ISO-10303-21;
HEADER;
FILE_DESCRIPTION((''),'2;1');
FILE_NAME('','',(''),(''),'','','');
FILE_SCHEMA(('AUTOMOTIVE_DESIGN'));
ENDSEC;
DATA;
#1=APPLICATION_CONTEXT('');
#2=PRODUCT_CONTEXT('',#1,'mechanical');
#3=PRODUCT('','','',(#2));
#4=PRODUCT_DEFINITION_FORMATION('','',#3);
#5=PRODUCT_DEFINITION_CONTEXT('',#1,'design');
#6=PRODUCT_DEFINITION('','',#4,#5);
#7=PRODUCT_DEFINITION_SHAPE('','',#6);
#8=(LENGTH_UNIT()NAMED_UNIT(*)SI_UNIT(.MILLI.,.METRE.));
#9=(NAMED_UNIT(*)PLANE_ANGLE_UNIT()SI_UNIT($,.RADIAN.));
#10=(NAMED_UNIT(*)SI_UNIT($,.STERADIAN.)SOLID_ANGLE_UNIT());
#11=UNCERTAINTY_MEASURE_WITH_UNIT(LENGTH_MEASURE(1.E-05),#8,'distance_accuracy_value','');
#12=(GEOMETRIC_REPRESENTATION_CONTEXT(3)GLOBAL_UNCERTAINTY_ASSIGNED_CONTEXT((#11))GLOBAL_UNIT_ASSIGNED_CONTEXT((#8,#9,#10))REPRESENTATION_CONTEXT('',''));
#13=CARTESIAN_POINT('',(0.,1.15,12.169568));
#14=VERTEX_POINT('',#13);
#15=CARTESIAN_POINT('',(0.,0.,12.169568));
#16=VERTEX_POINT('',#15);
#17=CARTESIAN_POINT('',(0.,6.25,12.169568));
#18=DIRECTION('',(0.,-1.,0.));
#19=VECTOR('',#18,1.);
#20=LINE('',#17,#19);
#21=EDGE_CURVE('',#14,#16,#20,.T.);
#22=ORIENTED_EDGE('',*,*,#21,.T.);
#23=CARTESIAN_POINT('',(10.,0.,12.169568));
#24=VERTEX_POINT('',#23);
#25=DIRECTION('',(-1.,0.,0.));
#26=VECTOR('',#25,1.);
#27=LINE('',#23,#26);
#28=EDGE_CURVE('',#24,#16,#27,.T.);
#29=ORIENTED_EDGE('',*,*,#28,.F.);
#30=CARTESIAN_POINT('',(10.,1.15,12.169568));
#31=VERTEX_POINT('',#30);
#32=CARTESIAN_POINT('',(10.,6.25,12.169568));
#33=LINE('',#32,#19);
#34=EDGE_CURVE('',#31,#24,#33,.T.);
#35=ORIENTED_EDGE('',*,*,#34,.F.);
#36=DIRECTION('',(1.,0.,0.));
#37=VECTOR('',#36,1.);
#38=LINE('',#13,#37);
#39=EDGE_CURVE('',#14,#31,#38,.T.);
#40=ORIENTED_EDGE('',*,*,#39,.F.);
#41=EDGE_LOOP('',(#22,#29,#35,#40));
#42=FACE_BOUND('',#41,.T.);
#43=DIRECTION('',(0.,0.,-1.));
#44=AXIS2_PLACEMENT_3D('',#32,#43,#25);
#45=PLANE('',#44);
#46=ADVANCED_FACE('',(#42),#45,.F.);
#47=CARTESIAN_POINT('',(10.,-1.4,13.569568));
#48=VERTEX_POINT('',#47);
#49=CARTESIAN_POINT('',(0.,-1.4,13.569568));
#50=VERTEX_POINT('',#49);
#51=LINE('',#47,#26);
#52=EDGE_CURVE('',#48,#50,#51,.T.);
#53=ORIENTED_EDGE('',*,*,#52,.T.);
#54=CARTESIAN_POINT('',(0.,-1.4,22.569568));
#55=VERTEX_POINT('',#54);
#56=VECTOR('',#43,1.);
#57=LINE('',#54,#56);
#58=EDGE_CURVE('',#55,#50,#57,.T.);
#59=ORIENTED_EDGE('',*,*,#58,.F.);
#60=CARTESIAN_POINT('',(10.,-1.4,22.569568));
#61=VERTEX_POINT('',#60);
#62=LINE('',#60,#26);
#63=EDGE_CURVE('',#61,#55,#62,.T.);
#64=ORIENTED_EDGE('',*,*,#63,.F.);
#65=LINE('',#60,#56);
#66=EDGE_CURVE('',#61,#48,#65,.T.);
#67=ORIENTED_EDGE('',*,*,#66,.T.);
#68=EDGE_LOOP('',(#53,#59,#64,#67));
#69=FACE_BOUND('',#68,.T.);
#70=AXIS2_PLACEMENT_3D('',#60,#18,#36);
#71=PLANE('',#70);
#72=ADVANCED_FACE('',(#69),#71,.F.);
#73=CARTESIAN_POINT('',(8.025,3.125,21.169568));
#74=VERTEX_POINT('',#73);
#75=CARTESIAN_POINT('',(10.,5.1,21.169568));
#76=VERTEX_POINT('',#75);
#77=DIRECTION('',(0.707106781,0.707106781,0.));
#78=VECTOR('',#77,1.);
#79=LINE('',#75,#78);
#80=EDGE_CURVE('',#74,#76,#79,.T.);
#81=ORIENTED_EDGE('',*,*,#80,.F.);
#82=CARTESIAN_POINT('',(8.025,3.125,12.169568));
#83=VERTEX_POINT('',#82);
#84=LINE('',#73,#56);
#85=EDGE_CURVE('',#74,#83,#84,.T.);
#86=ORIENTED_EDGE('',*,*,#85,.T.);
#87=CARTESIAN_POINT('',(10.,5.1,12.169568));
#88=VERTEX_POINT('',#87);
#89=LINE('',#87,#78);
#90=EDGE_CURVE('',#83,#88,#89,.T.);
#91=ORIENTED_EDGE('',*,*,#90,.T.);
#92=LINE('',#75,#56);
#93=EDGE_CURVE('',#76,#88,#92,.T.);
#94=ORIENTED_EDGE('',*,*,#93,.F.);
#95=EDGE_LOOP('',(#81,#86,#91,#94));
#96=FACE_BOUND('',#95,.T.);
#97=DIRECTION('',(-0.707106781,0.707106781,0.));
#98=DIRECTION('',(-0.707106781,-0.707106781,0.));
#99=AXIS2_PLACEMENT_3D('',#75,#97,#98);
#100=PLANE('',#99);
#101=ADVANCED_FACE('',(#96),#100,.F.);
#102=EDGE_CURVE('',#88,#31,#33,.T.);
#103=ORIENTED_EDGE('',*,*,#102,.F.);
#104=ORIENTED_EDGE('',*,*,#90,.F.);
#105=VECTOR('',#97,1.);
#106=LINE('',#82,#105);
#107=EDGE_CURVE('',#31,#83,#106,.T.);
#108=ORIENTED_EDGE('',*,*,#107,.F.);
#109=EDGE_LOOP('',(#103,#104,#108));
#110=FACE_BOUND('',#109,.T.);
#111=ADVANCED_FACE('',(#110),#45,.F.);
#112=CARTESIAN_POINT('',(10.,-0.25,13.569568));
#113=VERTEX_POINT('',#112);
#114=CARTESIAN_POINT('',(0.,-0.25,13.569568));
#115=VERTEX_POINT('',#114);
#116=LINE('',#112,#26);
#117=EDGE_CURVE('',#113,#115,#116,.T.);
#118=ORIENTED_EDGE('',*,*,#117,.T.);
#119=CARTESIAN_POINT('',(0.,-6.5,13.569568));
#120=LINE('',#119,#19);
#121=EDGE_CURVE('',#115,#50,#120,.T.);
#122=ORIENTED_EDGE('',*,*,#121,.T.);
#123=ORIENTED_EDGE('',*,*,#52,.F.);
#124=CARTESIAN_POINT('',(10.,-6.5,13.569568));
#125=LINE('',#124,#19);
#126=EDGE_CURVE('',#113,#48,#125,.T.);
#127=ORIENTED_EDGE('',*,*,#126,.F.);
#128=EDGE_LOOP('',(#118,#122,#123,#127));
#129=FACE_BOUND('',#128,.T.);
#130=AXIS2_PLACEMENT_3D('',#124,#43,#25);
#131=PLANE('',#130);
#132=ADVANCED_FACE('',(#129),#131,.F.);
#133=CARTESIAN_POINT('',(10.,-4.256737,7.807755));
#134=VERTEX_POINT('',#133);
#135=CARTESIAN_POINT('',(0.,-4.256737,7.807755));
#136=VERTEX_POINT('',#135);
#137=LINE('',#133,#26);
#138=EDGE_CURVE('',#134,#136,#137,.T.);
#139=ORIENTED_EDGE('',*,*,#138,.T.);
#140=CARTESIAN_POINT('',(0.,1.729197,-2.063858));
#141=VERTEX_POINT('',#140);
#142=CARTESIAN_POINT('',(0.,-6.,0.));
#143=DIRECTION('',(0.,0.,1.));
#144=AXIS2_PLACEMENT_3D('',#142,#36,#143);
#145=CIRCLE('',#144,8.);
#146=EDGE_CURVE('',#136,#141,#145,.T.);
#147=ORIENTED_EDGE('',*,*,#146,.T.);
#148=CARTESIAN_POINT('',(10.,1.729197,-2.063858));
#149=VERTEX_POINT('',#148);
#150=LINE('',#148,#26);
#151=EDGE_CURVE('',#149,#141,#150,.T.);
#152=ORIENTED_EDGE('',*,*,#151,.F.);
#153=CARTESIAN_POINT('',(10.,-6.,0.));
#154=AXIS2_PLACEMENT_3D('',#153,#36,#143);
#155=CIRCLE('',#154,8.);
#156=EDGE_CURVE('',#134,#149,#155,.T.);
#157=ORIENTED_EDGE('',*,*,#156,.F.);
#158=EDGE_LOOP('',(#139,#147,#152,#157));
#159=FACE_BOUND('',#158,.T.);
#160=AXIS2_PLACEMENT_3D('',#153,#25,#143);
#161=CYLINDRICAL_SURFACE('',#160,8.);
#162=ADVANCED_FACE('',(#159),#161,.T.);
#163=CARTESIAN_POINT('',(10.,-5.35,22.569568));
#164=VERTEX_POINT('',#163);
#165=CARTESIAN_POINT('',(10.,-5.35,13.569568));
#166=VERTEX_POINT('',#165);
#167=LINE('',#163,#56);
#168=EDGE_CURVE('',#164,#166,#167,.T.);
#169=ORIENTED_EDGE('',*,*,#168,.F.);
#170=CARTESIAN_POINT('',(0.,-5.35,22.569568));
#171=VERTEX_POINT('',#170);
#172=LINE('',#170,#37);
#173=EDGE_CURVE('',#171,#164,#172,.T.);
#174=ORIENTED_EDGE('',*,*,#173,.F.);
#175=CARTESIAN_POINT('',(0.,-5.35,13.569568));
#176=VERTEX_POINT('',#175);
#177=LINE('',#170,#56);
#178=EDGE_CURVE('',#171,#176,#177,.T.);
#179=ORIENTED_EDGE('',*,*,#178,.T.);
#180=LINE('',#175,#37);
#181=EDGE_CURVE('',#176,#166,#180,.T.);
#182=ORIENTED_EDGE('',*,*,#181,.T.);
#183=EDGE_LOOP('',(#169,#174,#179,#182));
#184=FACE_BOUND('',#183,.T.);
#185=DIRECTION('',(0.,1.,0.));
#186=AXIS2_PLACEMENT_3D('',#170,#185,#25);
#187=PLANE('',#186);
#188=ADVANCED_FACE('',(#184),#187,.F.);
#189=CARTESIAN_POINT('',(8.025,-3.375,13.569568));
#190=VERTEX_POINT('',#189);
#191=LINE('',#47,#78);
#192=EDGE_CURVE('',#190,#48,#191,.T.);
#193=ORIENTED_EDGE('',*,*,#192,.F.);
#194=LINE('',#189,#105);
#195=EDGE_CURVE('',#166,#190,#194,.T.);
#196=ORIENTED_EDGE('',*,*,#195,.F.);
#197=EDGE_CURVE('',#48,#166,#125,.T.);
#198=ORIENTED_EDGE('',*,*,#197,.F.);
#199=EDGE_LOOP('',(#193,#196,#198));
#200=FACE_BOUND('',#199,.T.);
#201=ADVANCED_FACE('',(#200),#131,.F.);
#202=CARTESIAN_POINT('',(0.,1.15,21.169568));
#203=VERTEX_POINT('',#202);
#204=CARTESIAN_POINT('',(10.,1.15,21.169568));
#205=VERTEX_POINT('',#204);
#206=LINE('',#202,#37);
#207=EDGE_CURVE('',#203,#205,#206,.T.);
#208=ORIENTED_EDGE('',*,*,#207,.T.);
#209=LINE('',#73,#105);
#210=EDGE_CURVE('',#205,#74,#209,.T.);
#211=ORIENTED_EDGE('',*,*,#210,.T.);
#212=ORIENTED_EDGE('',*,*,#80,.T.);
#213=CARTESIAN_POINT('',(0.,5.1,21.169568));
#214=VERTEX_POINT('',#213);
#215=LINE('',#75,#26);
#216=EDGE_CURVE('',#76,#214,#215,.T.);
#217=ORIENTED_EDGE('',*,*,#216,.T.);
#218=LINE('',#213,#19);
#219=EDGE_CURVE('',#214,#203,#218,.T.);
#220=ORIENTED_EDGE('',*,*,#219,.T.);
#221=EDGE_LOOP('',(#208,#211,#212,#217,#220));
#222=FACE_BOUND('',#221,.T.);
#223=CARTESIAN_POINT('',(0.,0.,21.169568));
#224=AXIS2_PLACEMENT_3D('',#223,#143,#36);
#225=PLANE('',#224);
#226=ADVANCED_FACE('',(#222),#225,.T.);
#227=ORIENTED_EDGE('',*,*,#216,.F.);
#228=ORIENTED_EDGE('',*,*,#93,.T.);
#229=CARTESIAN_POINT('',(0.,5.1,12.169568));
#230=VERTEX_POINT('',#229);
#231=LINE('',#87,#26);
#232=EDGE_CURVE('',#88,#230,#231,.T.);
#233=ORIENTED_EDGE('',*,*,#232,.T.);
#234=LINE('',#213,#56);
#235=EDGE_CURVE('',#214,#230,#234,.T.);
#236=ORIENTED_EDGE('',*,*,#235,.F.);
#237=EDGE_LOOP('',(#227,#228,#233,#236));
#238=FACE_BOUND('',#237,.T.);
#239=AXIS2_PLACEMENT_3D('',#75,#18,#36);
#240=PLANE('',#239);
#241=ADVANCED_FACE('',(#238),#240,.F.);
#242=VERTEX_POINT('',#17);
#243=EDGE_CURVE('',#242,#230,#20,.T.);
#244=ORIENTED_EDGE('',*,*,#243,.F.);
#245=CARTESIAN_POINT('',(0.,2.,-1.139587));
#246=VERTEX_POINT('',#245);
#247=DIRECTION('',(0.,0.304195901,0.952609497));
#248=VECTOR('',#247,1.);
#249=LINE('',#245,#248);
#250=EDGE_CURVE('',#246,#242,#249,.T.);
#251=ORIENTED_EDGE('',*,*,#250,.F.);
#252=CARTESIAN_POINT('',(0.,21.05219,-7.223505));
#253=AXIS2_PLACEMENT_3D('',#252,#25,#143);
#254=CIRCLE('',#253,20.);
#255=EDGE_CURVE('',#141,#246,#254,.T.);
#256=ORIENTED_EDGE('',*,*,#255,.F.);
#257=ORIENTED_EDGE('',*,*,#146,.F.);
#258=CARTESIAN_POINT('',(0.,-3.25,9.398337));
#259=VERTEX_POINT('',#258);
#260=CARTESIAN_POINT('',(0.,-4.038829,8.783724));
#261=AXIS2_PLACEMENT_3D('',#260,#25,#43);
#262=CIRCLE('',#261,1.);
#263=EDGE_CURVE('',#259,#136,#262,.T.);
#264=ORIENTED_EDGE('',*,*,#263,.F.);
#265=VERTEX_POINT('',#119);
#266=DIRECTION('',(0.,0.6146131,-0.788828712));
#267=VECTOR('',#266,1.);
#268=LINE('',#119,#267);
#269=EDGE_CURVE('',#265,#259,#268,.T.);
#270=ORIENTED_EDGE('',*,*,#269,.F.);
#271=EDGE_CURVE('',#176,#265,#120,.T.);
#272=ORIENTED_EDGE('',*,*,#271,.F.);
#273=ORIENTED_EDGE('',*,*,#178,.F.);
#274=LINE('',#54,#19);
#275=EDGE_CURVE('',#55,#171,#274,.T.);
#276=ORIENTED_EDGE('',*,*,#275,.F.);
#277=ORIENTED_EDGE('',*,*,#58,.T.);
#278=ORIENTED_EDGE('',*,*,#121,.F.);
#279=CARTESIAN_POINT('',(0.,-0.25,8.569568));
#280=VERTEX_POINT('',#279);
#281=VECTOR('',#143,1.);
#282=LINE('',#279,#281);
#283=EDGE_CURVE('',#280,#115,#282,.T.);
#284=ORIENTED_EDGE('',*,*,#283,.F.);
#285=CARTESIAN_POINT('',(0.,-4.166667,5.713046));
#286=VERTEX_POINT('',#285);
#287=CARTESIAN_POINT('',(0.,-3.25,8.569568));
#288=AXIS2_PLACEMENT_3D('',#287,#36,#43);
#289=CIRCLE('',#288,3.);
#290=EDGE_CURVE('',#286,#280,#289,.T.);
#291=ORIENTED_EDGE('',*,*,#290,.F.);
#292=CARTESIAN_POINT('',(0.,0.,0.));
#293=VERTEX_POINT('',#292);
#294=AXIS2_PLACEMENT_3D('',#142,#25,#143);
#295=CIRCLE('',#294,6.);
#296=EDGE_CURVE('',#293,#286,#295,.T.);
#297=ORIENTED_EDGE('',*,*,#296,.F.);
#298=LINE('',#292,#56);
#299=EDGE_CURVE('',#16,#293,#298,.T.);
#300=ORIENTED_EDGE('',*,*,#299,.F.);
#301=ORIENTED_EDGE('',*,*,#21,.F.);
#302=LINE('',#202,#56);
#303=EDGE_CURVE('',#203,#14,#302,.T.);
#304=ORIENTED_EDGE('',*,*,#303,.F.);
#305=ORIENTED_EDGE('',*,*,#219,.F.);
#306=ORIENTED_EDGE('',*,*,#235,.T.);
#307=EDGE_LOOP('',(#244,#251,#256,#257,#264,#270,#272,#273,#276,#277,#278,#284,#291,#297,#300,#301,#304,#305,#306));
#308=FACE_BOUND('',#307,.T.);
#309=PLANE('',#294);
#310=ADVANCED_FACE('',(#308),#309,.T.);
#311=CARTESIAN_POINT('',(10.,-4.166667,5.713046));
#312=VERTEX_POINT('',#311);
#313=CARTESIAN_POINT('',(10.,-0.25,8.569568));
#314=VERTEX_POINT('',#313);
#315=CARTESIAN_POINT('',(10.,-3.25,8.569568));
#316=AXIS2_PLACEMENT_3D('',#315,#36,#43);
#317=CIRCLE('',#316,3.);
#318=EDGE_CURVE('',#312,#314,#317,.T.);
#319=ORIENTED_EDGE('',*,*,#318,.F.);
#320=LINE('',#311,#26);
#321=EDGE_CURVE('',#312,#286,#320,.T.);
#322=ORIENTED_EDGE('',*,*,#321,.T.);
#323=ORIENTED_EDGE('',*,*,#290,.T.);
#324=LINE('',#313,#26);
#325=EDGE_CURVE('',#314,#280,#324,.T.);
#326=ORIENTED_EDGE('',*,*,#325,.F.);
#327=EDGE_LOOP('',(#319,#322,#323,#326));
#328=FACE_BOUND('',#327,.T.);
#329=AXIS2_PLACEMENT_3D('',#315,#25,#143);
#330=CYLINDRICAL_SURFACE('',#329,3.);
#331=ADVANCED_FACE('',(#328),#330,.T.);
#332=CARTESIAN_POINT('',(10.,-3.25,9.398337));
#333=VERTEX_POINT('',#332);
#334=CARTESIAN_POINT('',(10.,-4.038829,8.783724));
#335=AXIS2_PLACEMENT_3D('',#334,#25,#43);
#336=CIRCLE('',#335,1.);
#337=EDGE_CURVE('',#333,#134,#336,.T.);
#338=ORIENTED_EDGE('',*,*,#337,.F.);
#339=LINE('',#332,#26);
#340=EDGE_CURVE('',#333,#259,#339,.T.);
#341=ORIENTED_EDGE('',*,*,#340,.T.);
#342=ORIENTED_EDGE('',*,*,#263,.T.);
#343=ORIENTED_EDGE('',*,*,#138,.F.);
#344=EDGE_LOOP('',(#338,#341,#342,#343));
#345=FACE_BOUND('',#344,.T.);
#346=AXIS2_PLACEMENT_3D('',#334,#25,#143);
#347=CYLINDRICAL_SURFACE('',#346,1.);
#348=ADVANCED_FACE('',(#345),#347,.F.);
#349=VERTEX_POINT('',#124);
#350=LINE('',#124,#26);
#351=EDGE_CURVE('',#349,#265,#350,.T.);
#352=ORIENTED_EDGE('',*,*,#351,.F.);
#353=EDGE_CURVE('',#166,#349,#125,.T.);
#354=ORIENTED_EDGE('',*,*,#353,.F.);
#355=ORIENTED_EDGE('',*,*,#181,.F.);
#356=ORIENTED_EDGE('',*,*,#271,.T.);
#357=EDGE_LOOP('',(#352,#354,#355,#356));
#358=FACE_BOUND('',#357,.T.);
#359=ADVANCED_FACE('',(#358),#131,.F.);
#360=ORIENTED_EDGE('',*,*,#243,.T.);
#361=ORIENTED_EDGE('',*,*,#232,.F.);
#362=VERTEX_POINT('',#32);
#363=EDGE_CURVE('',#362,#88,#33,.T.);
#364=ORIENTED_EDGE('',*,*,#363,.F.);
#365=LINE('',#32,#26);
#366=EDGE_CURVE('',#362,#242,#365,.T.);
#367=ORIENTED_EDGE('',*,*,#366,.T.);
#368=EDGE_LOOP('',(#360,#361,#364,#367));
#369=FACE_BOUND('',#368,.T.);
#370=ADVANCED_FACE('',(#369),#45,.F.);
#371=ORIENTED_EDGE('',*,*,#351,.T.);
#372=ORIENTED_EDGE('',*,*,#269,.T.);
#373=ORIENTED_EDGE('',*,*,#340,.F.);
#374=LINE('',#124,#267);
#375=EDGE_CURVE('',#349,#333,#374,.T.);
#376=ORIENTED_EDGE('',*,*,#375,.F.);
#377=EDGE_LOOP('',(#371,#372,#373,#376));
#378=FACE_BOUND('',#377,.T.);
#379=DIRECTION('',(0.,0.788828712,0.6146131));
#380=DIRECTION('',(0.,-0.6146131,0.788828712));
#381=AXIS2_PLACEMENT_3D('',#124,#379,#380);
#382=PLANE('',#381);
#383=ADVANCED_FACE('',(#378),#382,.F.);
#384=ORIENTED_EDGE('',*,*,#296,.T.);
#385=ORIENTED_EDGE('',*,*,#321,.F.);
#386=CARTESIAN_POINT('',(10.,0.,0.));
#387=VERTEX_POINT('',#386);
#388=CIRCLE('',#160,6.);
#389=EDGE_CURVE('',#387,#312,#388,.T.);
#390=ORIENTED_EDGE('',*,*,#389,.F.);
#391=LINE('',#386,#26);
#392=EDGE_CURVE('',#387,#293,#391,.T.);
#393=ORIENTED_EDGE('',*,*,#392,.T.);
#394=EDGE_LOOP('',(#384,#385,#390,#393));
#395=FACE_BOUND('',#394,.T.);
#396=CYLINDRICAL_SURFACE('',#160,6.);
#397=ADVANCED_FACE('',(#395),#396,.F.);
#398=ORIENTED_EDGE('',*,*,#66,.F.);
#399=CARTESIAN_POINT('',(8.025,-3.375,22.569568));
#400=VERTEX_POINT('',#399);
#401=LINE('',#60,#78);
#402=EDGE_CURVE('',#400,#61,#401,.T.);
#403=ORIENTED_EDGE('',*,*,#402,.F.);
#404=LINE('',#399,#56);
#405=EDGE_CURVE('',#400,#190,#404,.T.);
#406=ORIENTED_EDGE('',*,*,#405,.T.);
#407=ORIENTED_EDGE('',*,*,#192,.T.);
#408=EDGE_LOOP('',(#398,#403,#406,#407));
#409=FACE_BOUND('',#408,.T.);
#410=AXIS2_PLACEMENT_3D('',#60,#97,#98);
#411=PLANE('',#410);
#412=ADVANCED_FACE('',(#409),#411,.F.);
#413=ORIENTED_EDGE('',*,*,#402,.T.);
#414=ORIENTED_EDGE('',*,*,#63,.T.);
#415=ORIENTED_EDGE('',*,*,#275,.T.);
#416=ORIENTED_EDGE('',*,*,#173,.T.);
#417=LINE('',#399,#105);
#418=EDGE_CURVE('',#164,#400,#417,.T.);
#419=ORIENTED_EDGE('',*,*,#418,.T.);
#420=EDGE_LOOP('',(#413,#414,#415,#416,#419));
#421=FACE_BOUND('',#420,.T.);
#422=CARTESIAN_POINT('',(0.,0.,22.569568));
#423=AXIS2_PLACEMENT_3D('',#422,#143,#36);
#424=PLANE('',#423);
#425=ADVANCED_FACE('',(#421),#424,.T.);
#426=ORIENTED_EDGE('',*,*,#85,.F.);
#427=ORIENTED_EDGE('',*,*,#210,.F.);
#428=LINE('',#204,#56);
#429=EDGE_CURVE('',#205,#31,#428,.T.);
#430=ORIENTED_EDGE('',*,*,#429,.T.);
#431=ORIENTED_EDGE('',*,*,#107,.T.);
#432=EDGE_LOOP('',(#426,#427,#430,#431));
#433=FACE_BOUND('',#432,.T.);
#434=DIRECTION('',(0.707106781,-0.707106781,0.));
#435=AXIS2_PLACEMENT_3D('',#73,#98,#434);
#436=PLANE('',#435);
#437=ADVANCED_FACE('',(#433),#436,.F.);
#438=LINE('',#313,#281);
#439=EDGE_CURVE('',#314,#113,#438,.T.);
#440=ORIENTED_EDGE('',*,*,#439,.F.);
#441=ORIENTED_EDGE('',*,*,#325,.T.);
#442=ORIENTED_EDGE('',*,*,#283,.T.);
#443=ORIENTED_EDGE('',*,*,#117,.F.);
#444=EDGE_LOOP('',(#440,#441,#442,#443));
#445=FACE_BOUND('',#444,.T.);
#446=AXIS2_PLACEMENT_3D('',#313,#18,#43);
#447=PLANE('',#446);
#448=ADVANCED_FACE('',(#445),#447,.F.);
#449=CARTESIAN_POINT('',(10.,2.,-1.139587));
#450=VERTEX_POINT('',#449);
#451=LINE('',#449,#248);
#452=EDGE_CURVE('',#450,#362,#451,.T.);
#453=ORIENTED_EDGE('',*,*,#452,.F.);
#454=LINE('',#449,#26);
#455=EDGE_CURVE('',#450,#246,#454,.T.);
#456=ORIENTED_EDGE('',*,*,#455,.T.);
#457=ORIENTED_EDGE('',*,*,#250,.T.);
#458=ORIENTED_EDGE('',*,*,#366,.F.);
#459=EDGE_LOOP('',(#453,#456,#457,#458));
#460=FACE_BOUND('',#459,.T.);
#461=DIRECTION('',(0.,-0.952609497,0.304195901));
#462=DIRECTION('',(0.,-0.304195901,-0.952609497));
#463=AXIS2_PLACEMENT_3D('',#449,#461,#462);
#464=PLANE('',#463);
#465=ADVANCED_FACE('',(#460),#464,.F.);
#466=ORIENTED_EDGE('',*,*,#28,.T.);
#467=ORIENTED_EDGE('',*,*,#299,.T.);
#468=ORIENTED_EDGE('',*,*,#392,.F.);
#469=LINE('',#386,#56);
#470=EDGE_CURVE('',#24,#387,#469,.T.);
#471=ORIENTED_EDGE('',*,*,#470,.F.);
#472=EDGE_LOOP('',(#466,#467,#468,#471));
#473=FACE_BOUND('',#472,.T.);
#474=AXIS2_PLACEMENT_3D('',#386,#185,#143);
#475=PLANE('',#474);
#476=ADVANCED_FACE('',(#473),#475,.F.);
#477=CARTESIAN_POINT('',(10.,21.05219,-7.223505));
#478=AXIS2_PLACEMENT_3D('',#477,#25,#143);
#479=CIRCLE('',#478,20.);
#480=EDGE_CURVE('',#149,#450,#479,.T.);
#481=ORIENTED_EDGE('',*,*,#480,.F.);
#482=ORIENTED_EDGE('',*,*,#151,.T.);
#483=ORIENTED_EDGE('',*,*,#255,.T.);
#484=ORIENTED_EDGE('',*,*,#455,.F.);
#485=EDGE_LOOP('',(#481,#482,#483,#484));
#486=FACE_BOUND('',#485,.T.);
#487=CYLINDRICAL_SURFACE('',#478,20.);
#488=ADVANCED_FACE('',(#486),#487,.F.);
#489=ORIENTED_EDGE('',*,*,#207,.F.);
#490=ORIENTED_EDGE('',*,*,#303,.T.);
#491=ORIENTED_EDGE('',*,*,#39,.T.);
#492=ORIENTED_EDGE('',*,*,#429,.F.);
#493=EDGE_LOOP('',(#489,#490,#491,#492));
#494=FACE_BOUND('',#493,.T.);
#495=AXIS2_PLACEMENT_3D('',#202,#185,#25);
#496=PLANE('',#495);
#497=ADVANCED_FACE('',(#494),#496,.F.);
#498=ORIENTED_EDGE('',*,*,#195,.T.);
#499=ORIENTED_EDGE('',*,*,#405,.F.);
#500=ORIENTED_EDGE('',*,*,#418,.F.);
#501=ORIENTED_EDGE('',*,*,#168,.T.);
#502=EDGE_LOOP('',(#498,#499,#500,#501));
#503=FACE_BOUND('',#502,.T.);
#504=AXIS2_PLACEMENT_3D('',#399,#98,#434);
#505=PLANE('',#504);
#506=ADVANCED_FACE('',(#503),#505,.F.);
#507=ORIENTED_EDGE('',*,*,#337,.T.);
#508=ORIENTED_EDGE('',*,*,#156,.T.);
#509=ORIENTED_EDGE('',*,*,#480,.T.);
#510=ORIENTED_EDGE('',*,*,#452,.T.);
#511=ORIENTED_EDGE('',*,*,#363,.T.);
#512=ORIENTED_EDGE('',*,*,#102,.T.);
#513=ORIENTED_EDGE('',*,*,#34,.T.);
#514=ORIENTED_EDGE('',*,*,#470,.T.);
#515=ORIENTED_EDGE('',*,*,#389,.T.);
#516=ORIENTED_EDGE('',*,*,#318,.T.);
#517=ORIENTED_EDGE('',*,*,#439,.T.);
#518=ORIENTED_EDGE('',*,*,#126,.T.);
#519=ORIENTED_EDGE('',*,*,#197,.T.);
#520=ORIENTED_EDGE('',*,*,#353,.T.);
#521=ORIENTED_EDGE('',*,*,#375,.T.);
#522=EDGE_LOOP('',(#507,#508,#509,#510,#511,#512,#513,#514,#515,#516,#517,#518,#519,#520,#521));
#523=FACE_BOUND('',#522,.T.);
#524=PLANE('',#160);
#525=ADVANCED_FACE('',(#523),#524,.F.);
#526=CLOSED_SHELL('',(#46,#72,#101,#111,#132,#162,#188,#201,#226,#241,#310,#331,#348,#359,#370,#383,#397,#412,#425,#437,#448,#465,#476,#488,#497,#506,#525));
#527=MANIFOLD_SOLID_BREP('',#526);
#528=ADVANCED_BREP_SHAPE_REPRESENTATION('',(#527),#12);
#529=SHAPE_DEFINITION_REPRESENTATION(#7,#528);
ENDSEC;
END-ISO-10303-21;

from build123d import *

# Parameters (mm, degrees)
BOSS_EXTRUDE1_DEPTH = 10
BOSS_EXTRUDE4_DEPTH = 9
BOSS_EXTRUDE5_DEPTH = 9


with BuildPart() as part:
    # Sketch1 → Boss-Extrude1 (new body)
    with BuildSketch(Plane(origin=(0, 0, 0), x_dir=(0, 0, -1), z_dir=(1, 0, 0))):
        with BuildLine():
            Line((-8.569568251, -0.25), (-13.569568251, -0.25))
            Line((-13.569568251, -0.25), (-13.569568251, -6.5))
            Line((-13.569568251, -6.5), (-9.398337093, -3.25))
            ThreePointArc((-9.398337093, -3.25), (-8.248911648, -3.193857851), (-7.80775466, -4.256736633))
            ThreePointArc((-7.80775466, -4.256736633), (4.148003929, -12.840618642), (2.063858472, 1.729197126))
            ThreePointArc((2.063858472, 1.729197126), (1.600092206, 1.859034064), (1.13958663, 2))
            Line((1.13958663, 2), (-12.169568251, 6.25))
            Line((-12.169568251, 6.25), (-12.169568251, 0))
            Line((-12.169568251, 0), (0, 0))
            ThreePointArc((0, 0), (3.535533906, -10.847679857), (-5.7130455, -4.166666667))
            ThreePointArc((-5.7130455, -4.166666667), (-6.145728322, -1.482233047), (-8.569568251, -0.25))
        make_face()
    extrude(amount=BOSS_EXTRUDE1_DEPTH)

    # Sketch2 → Boss-Extrude4 (add)
    with BuildSketch(Plane.XY.offset(12.169568251)):
        Polygon((0, 1.15), (10, 1.15), (8.025, 3.125), (10, 5.1), (0, 5.1), align=None)
    extrude(amount=BOSS_EXTRUDE4_DEPTH)

    # Sketch3 → Boss-Extrude5 (add)
    with BuildSketch(Plane.XY.offset(13.569568251)):
        Polygon((0, -5.35), (10, -5.35), (8.025, -3.375), (10, -1.4), (0, -1.4), align=None)
    extrude(amount=BOSS_EXTRUDE5_DEPTH)


solid = part.part
